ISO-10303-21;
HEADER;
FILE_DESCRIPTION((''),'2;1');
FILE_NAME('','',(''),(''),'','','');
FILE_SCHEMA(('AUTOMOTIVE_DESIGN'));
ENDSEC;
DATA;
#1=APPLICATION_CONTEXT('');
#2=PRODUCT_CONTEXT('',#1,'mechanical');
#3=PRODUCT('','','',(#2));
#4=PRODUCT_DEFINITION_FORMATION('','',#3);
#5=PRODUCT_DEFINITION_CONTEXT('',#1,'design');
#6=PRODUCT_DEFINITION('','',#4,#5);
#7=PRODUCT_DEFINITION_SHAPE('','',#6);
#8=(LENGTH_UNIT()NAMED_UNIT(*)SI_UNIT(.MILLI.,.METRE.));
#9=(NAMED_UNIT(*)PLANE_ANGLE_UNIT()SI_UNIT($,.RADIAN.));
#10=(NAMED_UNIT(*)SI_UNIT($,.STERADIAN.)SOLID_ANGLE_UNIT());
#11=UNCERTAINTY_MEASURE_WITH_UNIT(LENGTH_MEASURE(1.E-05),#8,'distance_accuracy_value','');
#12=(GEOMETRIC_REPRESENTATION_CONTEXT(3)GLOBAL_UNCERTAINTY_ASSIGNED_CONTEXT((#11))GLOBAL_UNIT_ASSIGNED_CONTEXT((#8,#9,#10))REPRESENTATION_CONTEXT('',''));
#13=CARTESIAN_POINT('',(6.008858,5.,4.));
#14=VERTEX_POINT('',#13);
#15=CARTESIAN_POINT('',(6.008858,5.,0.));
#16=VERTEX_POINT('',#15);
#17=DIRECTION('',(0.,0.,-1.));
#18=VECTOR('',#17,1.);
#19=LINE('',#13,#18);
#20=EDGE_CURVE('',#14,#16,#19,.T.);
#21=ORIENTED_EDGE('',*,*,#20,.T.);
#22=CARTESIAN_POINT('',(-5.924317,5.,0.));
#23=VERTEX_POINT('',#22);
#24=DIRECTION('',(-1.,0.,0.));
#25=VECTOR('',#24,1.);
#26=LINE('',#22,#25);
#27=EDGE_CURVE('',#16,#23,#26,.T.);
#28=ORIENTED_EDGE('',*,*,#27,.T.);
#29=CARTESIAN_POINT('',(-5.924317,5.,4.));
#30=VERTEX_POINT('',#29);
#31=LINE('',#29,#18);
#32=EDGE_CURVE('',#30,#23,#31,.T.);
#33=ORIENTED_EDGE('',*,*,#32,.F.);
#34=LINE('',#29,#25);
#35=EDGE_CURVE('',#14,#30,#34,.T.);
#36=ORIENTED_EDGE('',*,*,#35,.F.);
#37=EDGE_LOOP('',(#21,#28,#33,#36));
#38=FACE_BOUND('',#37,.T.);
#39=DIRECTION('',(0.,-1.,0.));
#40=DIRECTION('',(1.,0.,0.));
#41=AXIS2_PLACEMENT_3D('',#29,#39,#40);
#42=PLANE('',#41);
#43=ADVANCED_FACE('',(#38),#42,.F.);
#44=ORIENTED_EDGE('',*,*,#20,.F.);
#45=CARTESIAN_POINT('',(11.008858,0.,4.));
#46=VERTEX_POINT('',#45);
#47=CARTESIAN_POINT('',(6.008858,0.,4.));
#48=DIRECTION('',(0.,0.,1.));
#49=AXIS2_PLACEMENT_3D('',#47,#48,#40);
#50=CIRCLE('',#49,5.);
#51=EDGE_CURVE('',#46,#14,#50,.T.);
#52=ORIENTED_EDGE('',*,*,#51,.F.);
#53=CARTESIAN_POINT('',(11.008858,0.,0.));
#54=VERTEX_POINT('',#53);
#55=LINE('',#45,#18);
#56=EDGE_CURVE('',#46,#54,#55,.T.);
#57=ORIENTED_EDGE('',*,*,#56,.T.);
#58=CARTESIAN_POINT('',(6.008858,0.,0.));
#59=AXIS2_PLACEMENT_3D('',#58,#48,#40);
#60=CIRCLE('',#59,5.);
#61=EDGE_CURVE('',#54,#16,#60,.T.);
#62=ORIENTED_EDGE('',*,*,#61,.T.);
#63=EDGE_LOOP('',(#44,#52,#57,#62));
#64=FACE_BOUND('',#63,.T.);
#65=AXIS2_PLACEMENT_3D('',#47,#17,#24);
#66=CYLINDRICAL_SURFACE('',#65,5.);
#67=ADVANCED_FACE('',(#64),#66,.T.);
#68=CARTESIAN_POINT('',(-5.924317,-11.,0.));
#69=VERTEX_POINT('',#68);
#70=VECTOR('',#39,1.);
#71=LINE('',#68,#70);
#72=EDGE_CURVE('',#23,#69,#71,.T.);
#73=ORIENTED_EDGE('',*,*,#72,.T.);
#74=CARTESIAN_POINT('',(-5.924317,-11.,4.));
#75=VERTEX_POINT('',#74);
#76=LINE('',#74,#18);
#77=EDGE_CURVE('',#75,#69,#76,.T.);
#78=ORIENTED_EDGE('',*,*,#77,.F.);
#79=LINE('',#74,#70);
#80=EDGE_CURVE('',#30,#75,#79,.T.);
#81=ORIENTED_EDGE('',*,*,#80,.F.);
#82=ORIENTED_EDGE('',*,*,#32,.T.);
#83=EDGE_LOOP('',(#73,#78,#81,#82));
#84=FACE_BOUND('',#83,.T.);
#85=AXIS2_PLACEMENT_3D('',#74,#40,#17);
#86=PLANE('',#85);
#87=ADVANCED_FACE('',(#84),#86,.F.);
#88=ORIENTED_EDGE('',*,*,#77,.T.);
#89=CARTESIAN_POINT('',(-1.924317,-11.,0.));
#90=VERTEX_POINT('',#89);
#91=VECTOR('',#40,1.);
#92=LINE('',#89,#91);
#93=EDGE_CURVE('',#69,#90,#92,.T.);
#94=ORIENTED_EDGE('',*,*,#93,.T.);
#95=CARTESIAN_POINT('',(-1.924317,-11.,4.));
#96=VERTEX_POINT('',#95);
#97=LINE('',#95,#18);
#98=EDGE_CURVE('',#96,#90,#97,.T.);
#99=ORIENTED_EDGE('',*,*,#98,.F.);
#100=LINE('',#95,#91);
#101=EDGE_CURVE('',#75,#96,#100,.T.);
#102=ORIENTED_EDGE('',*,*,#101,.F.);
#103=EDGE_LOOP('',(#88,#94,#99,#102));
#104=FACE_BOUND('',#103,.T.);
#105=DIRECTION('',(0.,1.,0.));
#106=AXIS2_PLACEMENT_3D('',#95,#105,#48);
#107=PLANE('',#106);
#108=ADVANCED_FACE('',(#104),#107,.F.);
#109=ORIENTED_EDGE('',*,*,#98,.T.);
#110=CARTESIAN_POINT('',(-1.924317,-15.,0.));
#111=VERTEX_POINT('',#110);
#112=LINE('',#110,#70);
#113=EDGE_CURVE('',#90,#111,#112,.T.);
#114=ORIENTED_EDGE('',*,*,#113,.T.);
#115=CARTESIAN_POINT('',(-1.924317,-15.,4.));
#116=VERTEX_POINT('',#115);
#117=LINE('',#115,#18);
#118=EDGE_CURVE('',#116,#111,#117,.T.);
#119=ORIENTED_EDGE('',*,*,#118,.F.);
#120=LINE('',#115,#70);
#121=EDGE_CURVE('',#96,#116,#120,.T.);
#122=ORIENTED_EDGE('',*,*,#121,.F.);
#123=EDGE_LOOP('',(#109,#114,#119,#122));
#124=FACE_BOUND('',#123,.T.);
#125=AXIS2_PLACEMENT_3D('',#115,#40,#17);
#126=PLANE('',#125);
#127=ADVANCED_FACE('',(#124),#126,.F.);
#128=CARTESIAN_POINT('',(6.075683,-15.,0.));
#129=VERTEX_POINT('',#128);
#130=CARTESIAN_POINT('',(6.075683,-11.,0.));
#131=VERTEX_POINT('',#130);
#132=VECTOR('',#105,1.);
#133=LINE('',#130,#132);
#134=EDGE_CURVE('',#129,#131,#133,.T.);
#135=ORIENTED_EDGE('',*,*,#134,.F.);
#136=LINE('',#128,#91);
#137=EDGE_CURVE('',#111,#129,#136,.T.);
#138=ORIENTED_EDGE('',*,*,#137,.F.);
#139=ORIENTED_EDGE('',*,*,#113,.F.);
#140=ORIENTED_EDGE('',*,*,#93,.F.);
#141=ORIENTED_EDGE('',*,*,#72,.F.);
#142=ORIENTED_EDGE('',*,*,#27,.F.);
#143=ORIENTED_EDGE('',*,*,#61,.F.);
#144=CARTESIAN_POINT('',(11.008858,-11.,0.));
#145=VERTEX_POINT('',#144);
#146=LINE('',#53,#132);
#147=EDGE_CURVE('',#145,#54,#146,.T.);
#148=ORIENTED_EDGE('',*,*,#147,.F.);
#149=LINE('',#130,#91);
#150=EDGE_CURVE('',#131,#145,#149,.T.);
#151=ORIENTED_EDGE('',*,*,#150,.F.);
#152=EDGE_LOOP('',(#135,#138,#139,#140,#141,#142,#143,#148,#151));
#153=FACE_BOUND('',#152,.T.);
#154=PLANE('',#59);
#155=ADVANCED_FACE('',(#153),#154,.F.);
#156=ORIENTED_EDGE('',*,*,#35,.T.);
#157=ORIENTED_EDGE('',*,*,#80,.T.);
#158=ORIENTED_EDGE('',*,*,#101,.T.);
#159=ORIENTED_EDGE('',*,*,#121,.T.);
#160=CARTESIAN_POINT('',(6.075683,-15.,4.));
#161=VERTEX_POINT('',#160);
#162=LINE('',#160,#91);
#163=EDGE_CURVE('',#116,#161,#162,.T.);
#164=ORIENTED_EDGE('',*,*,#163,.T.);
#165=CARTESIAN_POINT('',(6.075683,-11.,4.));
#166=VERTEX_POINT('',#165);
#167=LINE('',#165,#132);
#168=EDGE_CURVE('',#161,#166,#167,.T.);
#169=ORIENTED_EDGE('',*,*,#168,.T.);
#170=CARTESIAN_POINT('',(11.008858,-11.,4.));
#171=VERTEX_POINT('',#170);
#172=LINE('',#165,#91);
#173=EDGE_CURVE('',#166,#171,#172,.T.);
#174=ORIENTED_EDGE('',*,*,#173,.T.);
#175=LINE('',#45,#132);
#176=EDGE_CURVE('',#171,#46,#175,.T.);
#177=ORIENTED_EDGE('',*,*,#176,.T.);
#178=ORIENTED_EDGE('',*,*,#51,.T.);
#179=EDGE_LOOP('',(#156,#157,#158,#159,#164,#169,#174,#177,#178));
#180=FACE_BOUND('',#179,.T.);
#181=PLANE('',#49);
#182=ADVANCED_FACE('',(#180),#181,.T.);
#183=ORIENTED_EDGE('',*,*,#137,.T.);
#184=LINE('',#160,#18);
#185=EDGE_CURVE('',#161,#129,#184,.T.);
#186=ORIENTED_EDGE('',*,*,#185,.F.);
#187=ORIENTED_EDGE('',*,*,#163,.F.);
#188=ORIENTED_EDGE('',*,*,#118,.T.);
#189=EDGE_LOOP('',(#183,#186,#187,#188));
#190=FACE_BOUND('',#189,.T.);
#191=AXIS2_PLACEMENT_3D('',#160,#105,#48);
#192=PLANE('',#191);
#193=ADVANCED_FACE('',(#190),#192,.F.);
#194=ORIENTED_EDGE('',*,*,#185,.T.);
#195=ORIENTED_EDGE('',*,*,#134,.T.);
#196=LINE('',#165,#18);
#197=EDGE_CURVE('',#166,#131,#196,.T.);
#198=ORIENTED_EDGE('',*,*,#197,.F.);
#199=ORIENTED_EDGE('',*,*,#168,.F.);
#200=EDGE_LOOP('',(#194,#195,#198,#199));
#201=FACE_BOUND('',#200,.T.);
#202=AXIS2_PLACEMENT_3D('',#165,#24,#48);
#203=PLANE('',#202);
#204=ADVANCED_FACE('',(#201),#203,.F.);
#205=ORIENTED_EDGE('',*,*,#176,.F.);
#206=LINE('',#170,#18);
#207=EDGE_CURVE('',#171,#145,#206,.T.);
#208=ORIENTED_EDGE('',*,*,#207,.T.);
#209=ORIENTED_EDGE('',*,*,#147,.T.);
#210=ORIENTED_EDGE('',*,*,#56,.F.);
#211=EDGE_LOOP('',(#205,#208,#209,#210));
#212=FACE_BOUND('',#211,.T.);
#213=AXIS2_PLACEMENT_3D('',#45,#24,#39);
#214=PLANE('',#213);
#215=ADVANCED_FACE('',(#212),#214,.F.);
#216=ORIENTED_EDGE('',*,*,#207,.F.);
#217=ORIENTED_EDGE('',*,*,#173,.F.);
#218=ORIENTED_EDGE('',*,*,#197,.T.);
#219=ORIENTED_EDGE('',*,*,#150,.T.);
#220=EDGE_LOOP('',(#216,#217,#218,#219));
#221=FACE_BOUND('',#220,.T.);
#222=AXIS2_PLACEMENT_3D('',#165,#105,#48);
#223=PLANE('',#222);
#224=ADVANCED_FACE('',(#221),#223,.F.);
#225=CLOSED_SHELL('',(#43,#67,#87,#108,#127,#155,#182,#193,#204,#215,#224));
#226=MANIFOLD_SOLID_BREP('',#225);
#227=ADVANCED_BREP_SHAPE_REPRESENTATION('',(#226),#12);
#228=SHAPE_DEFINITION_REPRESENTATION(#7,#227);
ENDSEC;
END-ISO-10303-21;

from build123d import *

# Parameters (mm, degrees)
BOSS_EXTRUDE1_DEPTH = 4


with BuildPart() as part:
    # Sketch1 → Boss-Extrude1 (new body)
    with BuildSketch(Plane.XY):
        with BuildLine():
            Line((6.07568334, -11), (11.008857545, -11))
            Line((11.008857545, -11), (11.008857545, 0))
            ThreePointArc((11.008857545, 0), (9.544391451, 3.535533906), (6.008857545, 5))
            Line((6.008857545, 5), (-5.92431666, 5))
            Line((-5.92431666, 5), (-5.92431666, -11))
            Line((-5.92431666, -11), (-1.92431666, -11))
            Line((-1.92431666, -11), (-1.92431666, -15))
            Line((-1.92431666, -15), (6.07568334, -15))
            Line((6.07568334, -15), (6.07568334, -11))
        make_face()
    extrude(amount=BOSS_EXTRUDE1_DEPTH)


solid = part.part
